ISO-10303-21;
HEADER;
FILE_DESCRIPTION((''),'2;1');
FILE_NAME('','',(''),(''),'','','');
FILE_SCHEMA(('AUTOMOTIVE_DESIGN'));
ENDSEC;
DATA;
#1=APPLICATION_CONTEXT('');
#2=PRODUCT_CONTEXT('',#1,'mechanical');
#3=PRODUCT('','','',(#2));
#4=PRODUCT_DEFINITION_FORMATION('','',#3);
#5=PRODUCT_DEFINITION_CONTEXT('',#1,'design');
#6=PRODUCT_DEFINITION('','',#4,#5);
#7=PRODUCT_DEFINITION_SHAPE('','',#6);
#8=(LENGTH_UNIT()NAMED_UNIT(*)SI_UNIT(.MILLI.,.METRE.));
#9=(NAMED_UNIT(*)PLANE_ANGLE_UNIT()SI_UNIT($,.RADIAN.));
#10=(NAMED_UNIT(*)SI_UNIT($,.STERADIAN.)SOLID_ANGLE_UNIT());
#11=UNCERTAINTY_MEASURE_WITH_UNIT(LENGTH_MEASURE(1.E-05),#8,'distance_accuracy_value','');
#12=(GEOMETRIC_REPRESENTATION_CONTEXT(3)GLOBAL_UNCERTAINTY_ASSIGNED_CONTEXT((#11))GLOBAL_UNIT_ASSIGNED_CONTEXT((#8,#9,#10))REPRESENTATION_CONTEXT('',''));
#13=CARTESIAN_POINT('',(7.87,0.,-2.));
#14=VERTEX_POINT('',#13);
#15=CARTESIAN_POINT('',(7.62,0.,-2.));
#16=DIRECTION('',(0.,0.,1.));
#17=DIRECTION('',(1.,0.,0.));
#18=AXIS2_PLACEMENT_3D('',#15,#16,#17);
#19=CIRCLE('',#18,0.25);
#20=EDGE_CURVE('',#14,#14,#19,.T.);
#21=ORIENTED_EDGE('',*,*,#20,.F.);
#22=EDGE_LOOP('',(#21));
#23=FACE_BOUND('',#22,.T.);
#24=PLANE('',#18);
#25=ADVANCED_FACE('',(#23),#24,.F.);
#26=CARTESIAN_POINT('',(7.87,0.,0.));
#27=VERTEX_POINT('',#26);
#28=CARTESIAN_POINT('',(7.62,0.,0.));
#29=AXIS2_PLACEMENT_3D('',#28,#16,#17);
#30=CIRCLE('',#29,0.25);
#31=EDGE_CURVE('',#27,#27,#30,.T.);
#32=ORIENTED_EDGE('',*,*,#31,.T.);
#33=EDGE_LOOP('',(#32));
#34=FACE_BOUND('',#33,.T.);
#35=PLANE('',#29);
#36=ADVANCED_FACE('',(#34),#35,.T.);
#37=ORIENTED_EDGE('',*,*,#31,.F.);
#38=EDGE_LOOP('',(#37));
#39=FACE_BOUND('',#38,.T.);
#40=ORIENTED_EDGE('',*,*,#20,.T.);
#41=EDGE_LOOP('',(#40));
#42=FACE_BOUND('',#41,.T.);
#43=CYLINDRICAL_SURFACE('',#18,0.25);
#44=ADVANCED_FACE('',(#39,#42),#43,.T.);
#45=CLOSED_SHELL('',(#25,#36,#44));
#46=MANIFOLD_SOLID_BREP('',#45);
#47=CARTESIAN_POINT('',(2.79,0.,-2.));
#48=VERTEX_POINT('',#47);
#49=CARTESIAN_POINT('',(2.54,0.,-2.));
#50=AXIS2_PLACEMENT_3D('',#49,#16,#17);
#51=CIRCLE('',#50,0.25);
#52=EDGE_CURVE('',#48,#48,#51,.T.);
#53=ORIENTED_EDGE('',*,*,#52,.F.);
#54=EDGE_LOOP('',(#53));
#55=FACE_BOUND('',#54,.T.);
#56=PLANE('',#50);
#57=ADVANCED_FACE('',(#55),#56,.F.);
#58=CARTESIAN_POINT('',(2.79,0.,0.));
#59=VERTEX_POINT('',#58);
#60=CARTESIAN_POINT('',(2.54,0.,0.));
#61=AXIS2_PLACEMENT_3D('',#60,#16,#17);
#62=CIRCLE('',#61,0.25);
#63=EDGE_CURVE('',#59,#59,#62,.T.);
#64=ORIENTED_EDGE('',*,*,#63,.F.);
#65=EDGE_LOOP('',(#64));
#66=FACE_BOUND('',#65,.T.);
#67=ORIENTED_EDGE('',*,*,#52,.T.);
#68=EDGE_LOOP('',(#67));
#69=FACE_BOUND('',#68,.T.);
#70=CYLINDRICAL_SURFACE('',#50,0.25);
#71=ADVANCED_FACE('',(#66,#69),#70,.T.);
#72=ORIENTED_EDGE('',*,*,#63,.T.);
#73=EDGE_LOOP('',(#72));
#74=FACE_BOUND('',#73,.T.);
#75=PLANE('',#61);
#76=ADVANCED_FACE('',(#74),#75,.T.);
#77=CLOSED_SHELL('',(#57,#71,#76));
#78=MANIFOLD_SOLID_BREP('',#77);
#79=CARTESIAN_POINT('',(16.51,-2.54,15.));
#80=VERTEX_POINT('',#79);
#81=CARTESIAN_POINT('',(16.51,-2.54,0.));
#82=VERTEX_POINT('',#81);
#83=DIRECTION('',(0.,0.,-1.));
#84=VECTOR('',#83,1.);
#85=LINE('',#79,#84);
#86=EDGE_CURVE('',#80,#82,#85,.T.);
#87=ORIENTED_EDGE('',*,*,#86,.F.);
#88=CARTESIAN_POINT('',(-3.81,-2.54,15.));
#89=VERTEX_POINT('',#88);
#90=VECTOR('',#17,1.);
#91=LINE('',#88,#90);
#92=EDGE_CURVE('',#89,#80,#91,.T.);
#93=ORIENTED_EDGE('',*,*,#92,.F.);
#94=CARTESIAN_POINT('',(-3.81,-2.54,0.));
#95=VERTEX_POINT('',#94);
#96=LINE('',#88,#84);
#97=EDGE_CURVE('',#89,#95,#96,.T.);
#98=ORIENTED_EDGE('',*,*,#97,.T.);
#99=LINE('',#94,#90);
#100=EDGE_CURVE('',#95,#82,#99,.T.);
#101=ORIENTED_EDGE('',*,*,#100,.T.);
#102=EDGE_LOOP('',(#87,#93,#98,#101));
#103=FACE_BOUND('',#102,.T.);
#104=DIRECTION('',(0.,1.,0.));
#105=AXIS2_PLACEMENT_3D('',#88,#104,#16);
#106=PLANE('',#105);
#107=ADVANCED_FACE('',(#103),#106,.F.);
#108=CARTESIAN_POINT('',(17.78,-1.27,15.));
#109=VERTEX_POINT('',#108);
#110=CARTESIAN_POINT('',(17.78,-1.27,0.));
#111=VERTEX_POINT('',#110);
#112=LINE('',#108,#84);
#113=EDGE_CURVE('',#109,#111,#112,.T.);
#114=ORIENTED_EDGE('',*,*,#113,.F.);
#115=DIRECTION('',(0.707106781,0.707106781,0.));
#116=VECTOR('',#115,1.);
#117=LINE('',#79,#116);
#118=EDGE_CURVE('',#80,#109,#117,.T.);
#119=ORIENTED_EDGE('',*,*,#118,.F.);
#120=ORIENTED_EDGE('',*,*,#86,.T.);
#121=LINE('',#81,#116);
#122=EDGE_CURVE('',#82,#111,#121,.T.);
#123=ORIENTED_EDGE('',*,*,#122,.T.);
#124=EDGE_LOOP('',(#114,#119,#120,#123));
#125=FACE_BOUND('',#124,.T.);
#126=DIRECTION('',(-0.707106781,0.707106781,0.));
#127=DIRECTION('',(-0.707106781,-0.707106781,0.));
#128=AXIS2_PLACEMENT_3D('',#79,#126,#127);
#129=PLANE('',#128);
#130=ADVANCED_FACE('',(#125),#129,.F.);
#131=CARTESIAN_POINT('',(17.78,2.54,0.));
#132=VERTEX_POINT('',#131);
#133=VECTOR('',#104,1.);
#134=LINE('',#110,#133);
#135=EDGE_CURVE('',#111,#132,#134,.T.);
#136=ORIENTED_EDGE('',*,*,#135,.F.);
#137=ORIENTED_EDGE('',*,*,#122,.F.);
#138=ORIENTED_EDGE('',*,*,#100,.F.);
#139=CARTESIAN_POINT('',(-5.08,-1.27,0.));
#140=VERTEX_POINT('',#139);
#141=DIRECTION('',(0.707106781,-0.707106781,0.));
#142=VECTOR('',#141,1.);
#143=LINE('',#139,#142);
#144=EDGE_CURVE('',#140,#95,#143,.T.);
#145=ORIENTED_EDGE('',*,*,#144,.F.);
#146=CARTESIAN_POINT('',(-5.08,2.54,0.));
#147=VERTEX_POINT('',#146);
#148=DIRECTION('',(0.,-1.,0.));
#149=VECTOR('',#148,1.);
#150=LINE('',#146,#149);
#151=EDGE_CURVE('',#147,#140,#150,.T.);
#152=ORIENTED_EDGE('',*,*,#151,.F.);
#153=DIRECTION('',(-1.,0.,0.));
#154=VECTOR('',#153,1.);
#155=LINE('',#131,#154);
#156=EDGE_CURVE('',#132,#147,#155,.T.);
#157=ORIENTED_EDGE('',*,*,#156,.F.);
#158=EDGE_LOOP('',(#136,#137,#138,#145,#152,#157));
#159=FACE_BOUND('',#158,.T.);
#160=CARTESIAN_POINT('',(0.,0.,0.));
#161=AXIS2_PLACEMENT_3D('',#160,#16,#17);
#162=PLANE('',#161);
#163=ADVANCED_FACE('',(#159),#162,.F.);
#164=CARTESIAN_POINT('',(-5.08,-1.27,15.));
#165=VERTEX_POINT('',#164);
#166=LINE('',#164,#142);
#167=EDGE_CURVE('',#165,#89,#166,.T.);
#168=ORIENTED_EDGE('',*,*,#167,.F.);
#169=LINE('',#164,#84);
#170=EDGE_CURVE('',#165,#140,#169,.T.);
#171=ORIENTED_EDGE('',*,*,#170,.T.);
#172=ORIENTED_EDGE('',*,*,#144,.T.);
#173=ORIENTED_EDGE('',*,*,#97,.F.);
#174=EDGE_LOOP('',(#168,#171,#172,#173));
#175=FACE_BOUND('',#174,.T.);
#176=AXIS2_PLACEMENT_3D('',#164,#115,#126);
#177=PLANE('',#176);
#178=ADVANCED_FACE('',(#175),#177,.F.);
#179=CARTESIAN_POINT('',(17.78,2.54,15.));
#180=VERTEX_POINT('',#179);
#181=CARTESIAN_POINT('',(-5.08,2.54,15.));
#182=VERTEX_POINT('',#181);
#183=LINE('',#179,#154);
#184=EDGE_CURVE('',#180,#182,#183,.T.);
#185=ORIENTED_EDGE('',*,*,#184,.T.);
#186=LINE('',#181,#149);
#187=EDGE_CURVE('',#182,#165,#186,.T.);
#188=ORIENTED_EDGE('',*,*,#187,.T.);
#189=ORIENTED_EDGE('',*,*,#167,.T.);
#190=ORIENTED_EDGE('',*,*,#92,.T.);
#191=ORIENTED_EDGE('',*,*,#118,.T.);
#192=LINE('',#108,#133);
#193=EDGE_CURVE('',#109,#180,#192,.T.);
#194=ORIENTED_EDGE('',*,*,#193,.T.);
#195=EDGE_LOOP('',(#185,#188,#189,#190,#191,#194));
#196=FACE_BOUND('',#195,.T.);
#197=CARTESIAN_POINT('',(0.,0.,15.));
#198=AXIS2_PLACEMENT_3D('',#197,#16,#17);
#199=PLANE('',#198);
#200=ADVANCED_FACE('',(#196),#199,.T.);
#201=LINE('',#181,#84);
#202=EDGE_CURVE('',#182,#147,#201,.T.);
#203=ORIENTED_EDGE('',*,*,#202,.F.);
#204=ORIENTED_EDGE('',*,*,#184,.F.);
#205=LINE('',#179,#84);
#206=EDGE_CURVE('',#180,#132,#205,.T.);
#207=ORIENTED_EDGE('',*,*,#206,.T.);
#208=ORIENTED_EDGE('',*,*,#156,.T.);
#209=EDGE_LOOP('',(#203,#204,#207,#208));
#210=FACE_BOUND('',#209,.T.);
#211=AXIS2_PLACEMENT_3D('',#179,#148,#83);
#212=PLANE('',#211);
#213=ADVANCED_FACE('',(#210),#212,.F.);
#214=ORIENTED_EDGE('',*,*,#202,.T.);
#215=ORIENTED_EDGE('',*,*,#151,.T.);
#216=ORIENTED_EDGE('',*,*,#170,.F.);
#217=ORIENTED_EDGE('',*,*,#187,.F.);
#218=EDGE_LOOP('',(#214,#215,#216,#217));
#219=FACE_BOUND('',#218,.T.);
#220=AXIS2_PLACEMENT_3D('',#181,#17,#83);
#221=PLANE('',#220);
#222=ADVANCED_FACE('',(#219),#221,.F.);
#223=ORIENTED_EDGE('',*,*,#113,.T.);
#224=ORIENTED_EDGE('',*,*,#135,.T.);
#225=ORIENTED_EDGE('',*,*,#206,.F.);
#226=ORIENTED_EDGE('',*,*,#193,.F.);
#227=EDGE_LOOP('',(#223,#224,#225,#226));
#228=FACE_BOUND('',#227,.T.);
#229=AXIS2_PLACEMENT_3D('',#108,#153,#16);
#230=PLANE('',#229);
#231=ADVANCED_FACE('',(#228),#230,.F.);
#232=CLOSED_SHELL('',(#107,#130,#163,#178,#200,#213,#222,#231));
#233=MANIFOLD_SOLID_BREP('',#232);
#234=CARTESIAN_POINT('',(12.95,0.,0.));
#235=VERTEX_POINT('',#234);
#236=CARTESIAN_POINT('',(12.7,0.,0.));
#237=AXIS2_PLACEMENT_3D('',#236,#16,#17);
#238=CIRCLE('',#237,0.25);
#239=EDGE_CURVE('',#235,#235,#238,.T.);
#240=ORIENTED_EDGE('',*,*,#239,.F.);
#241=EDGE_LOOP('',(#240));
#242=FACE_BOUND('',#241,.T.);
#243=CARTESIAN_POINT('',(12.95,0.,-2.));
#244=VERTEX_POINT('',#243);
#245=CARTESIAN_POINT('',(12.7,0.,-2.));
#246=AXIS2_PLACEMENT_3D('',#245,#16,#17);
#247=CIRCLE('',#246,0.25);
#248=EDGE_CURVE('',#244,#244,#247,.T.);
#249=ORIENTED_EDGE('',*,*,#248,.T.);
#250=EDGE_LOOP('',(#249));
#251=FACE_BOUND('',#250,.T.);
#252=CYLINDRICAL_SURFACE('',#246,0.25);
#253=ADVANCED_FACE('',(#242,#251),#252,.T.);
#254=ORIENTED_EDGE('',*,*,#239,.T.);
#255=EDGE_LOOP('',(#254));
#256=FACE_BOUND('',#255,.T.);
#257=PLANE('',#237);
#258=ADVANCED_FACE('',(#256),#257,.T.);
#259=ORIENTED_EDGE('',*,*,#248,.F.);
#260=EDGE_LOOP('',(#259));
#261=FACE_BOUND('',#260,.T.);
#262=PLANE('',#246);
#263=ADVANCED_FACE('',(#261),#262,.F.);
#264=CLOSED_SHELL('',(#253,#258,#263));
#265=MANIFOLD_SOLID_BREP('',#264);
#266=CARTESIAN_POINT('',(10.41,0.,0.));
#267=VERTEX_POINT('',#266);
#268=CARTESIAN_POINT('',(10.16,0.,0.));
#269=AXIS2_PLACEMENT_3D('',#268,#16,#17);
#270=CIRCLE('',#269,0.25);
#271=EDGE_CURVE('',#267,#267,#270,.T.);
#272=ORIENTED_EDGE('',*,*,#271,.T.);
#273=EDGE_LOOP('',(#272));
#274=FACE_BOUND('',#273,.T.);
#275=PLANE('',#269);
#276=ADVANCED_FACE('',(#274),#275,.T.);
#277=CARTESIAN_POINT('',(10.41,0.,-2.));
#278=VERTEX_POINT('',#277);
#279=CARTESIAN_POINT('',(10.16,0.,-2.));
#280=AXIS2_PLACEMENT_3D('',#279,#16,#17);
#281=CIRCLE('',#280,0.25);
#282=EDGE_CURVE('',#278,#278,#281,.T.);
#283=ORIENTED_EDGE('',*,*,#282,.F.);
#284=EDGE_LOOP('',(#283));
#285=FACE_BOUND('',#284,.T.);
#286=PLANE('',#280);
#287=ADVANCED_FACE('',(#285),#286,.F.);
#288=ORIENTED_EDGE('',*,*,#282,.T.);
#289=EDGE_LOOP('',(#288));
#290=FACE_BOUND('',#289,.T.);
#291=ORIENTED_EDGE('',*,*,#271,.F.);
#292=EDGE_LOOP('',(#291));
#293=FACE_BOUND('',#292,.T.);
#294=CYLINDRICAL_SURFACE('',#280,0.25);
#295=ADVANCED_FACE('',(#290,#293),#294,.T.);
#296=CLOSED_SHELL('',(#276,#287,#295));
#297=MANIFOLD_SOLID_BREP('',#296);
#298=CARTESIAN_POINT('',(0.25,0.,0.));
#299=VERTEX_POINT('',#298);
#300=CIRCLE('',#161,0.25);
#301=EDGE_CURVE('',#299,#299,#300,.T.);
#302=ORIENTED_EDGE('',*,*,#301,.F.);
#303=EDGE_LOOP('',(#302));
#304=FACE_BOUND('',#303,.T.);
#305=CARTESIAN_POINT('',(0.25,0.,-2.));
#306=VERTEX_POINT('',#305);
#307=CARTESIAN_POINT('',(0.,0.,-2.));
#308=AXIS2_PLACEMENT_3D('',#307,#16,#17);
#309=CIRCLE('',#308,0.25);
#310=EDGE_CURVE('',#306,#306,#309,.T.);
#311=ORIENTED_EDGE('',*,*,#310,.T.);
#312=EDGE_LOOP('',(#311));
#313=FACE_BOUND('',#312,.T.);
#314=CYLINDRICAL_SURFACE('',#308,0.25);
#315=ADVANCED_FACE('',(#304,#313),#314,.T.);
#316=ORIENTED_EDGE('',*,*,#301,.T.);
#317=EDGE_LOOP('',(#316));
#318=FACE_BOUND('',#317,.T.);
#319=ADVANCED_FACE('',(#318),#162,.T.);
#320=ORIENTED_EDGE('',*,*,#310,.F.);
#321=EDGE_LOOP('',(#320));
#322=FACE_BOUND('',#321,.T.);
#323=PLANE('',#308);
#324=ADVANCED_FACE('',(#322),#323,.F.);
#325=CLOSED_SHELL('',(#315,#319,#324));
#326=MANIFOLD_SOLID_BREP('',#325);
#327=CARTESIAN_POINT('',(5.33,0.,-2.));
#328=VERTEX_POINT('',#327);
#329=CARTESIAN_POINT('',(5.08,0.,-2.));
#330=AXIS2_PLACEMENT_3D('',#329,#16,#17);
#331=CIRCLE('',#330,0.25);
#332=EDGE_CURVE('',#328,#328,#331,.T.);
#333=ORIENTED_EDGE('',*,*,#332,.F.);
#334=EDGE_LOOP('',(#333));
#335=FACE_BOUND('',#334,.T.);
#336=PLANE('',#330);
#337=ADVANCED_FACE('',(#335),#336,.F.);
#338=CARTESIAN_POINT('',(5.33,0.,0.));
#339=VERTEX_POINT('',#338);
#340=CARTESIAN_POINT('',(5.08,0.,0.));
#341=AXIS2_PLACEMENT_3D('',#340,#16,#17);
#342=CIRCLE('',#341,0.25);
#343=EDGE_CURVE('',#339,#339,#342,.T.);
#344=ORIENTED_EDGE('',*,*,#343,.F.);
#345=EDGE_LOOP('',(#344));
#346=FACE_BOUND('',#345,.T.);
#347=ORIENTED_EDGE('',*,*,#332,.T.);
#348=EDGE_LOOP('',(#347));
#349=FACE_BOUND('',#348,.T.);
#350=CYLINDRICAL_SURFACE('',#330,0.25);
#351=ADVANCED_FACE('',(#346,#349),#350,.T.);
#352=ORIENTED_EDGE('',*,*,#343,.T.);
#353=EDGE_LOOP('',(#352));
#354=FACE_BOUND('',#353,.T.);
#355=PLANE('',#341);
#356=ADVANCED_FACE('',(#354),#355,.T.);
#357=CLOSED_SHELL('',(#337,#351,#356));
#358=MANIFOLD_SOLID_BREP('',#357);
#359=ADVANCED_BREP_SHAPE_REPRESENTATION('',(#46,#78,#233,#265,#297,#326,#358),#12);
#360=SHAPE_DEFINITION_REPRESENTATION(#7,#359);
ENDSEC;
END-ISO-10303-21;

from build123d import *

# Parameters (mm, degrees)
COMPONENT_OUTLINE_DEPTH = 15
SKETCH2_R               = 0.25
EXTRUDE_1_DEPTH         = 2
SKETCH3_R               = 0.25
EXTRUDE_2_DEPTH         = 2
SKETCH4_R               = 0.25
EXTRUDE_3_DEPTH         = 2
SKETCH5_R               = 0.25
EXTRUDE_4_DEPTH         = 2
SKETCH6_R               = 0.25
EXTRUDE_5_DEPTH         = 2
SKETCH7_R               = 0.25
EXTRUDE_6_DEPTH         = 2


with BuildPart() as part:
    # Sketch1 → Component_Outline (new body)
    with BuildSketch(Plane.XY):
        Polygon((-5.08, 2.54), (-5.08, -1.27), (-3.81, -2.54), (16.51, -2.54), (17.78, -1.27), (17.78, 2.54), align=None)
    extrude(amount=COMPONENT_OUTLINE_DEPTH)


with BuildPart() as body_2:
    # Sketch2 → Extrude 1 (new body)
    with BuildSketch(Plane.XY):
        Circle(SKETCH2_R)
    extrude(amount=-EXTRUDE_1_DEPTH)


with BuildPart() as body_3:
    # Sketch3 → Extrude 2 (new body)
    with BuildSketch(Plane.XY):
        with Locations((2.54, 0)):
            Circle(SKETCH3_R)
    extrude(amount=-EXTRUDE_2_DEPTH)


with BuildPart() as body_4:
    # Sketch4 → Extrude 3 (new body)
    with BuildSketch(Plane.XY):
        with Locations((5.08, 0)):
            Circle(SKETCH4_R)
    extrude(amount=-EXTRUDE_3_DEPTH)


with BuildPart() as body_5:
    # Sketch5 → Extrude 4 (new body)
    with BuildSketch(Plane.XY):
        with Locations((7.62, 0)):
            Circle(SKETCH5_R)
    extrude(amount=-EXTRUDE_4_DEPTH)


with BuildPart() as body_6:
    # Sketch6 → Extrude 5 (new body)
    with BuildSketch(Plane.XY):
        with Locations((10.16, 0)):
            Circle(SKETCH6_R)
    extrude(amount=-EXTRUDE_5_DEPTH)


with BuildPart() as body_7:
    # Sketch7 → Extrude 6 (new body)
    with BuildSketch(Plane.XY):
        with Locations((12.7, 0)):
            Circle(SKETCH7_R)
    extrude(amount=-EXTRUDE_6_DEPTH)


solid = Compound([part.part, body_2.part, body_3.part, body_4.part, body_5.part, body_6.part, body_7.part])
